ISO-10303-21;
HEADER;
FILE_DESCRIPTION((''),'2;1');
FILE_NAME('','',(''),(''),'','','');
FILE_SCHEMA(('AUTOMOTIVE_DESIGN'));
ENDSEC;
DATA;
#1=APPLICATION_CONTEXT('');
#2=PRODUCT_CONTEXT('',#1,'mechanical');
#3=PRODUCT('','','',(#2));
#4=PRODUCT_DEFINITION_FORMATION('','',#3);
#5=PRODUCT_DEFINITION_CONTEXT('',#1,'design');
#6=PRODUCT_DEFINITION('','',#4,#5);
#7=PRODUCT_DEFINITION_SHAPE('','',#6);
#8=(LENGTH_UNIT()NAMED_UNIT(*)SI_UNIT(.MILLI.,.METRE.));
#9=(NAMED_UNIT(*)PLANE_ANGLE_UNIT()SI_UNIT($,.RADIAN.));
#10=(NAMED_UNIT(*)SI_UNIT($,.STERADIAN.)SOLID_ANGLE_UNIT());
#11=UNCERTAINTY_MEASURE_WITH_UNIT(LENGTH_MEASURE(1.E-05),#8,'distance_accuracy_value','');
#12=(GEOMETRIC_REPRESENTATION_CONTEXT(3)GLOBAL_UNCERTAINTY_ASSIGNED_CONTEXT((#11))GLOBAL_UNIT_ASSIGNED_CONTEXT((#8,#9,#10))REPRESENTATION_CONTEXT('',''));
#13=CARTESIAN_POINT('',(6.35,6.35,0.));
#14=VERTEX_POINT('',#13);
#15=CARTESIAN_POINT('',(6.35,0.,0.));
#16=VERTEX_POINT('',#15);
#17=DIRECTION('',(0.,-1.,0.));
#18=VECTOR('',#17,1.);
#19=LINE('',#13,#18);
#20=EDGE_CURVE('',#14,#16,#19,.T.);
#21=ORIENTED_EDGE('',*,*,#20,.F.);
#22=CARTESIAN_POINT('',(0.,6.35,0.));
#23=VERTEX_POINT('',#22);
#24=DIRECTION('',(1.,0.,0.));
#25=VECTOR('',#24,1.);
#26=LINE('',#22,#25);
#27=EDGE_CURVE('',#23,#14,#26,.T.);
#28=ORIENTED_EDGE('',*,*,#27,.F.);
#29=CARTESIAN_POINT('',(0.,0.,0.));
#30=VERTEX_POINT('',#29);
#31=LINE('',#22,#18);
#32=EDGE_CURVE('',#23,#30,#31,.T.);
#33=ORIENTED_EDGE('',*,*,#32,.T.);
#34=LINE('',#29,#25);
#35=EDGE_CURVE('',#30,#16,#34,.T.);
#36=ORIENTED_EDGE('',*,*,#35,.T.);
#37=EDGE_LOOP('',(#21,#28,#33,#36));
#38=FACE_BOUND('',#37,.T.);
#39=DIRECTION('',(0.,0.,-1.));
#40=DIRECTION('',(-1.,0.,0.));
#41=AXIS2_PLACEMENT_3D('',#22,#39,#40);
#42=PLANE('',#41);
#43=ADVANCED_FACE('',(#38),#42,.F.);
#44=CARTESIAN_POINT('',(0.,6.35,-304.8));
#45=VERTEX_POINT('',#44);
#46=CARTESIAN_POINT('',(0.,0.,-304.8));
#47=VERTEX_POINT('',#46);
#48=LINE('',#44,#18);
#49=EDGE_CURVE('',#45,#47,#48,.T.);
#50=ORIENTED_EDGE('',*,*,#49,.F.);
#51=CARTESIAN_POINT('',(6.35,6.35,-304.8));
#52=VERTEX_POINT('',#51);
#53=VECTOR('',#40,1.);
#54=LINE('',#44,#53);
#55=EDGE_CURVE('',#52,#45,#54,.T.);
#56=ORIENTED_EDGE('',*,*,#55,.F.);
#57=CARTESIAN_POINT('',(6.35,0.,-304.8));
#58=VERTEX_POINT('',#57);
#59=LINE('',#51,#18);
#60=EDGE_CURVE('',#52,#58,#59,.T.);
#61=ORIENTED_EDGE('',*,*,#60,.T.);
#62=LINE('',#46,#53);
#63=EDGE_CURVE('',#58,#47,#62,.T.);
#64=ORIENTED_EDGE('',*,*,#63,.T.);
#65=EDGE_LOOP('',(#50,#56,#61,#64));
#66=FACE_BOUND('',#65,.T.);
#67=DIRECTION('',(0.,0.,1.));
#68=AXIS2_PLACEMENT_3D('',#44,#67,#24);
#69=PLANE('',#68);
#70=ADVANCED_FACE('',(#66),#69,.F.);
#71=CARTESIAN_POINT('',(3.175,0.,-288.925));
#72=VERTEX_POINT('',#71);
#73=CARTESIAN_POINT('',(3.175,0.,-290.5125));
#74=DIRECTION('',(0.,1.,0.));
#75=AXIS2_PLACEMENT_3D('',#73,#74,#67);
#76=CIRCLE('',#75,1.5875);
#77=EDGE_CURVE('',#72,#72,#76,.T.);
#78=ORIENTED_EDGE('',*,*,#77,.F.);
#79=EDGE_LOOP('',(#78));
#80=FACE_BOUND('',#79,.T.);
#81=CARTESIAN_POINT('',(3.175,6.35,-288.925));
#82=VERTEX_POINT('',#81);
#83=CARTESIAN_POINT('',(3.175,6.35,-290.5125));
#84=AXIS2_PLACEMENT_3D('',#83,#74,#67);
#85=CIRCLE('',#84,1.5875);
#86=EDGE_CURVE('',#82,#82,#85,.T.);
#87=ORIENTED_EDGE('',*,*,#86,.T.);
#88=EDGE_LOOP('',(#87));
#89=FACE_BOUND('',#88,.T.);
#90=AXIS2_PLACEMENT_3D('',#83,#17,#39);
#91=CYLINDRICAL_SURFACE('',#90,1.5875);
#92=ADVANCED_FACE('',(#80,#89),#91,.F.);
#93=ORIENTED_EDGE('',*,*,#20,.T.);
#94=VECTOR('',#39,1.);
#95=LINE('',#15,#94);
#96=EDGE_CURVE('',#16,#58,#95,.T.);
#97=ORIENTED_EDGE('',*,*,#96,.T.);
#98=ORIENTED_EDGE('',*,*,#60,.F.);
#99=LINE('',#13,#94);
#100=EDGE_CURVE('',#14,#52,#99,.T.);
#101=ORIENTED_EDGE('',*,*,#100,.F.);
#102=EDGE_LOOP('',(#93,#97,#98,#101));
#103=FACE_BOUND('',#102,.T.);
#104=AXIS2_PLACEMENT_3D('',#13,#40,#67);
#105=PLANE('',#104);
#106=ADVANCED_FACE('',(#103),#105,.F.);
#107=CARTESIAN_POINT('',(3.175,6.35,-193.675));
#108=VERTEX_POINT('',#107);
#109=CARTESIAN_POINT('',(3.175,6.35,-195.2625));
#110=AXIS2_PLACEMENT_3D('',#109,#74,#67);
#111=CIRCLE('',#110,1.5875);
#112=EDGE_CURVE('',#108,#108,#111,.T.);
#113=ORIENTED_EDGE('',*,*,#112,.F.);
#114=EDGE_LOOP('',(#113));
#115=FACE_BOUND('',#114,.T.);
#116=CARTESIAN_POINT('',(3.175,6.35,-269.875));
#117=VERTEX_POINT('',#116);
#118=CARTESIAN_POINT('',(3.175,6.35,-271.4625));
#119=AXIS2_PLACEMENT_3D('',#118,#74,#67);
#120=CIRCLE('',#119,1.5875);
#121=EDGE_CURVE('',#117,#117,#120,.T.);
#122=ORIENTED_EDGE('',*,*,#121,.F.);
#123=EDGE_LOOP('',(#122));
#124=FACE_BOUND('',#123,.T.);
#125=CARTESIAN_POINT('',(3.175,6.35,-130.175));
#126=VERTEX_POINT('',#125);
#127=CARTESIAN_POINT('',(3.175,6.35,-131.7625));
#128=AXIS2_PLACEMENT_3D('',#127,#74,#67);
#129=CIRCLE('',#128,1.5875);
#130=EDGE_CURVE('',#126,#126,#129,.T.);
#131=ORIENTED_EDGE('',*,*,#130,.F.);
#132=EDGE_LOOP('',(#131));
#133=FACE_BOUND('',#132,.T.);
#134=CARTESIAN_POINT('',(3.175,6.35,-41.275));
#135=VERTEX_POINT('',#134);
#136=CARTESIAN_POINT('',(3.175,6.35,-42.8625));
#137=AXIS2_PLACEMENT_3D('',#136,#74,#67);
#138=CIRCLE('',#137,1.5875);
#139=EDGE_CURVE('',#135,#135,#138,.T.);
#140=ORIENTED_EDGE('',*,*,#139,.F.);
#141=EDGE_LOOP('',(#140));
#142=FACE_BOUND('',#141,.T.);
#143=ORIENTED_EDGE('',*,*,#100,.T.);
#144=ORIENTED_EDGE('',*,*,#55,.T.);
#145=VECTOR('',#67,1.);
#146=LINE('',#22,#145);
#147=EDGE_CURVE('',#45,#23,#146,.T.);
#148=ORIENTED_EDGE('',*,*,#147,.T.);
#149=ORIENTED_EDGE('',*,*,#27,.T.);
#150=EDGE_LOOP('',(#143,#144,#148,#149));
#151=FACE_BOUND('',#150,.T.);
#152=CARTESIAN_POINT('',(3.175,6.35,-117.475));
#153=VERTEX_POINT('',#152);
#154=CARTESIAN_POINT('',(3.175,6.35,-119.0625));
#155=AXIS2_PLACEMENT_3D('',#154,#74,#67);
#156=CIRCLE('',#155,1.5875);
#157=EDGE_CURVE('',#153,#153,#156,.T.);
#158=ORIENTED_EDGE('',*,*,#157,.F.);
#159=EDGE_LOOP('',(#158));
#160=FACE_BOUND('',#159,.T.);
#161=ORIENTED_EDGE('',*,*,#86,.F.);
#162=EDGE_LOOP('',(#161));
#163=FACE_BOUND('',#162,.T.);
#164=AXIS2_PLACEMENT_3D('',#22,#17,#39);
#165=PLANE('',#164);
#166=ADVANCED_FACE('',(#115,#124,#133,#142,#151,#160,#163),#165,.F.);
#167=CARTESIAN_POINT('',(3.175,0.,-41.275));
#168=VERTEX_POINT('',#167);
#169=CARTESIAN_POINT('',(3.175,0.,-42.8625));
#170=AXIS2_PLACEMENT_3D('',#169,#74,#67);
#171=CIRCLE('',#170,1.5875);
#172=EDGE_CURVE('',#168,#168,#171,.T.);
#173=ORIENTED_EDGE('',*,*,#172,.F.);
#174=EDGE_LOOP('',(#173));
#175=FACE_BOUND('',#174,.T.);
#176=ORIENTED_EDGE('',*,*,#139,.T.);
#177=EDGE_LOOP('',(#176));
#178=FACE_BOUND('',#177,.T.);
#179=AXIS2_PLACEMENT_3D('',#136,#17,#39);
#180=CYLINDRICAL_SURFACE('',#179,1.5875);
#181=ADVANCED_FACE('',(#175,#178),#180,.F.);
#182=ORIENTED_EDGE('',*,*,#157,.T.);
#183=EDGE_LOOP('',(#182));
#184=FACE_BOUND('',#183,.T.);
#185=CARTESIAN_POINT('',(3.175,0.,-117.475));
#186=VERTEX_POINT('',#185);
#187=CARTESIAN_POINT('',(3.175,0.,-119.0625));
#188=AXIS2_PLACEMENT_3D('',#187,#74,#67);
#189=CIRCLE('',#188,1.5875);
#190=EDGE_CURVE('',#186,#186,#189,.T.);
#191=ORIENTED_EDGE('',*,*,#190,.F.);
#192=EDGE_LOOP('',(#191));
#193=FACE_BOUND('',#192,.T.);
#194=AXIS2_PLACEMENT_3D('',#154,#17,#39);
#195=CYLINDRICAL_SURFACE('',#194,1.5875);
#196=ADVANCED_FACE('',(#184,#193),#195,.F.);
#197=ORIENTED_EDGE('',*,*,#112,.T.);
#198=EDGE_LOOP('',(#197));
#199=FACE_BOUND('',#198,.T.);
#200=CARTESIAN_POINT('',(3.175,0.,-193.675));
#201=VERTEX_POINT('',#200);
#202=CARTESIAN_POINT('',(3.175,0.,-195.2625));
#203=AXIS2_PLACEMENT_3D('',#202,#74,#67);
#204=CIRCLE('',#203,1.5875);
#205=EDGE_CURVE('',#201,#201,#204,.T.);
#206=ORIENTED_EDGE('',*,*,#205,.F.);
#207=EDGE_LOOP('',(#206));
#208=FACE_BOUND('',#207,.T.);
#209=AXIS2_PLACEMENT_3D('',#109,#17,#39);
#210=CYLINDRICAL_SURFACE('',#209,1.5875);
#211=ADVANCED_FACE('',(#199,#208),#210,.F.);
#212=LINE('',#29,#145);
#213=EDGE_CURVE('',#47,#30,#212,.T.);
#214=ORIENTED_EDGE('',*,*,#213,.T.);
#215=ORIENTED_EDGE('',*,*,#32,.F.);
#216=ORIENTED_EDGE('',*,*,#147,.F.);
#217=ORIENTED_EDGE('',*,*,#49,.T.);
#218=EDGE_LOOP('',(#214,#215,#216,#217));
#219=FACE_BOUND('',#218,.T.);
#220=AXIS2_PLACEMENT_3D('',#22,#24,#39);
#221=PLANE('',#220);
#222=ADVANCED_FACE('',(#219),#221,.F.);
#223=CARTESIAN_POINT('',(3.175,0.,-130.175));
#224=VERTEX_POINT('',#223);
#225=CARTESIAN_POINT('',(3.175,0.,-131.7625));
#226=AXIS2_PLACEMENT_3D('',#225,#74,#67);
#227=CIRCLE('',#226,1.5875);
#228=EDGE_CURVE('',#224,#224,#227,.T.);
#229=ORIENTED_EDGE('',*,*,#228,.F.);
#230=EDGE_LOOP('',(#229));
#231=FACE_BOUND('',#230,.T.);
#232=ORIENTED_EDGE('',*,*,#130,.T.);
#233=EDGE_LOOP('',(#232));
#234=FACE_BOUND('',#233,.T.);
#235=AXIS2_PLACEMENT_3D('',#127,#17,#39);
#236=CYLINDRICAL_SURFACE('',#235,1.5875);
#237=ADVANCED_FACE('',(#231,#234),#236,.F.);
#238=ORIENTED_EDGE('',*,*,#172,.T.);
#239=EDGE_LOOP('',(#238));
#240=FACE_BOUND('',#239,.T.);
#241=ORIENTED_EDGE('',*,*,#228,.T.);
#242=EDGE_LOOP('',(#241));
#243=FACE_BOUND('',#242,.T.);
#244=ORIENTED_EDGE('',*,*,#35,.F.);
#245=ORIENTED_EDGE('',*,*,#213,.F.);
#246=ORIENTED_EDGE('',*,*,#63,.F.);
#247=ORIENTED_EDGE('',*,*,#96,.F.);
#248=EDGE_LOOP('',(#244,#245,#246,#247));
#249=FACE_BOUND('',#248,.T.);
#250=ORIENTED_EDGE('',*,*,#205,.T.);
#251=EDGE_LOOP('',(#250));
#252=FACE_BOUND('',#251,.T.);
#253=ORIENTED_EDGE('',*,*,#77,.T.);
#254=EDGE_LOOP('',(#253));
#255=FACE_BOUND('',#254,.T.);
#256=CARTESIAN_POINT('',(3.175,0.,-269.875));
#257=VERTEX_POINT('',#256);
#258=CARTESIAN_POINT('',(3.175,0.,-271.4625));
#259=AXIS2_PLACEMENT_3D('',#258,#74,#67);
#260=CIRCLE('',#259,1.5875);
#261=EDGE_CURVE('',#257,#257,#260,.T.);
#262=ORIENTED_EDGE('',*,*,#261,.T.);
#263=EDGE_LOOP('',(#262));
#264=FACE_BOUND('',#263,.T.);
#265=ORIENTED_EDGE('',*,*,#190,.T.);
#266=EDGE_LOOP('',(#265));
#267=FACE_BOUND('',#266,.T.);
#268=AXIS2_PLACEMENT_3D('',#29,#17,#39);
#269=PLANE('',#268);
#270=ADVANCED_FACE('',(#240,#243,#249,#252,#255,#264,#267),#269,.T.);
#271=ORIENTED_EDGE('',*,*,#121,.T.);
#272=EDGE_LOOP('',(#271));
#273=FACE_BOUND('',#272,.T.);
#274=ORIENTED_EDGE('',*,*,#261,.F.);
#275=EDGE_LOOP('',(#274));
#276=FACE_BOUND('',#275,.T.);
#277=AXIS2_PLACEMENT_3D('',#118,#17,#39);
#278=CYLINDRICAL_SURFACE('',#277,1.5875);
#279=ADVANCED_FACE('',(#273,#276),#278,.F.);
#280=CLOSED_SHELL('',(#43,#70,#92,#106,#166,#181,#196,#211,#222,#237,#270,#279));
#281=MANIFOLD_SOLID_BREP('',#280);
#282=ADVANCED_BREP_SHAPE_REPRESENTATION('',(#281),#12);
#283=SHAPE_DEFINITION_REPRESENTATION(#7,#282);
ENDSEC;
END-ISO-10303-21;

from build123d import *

# Parameters (mm, degrees)
SKETCH1_W           = 6.35
SKETCH1_H           = 304.8
SKETCH1_R           = 1.5875
BOSS_EXTRUDE1_DEPTH = 6.35


with BuildPart() as part:
    # Sketch1 → Boss-Extrude1 (new body)
    with BuildSketch(Plane(origin=(0, 0, 0), x_dir=(1, 0, 0), z_dir=(0, 1, 0))):
        with Locations((3.175, 152.4)):
            Rectangle(SKETCH1_W, SKETCH1_H)
        with Locations(Location((3.175, 271.4625, 0), (0, 0, 270))):
            Circle(SKETCH1_R, mode=Mode.SUBTRACT)
        with Locations(Location((3.175, 195.2625, 0), (0, 0, 270))):
            Circle(SKETCH1_R, mode=Mode.SUBTRACT)
        with Locations(Location((3.175, 119.0625, 0), (0, 0, 270))):
            Circle(SKETCH1_R, mode=Mode.SUBTRACT)
        with Locations(Location((3.175, 42.8625, 0), (0, 0, 270))):
            Circle(SKETCH1_R, mode=Mode.SUBTRACT)
        with Locations(Location((3.175, 290.5125, 0), (0, 0, 270))):
            Circle(SKETCH1_R, mode=Mode.SUBTRACT)
        with Locations(Location((3.175, 131.7625, 0), (0, 0, 270))):
            Circle(SKETCH1_R, mode=Mode.SUBTRACT)
    extrude(amount=BOSS_EXTRUDE1_DEPTH)


solid = part.part
